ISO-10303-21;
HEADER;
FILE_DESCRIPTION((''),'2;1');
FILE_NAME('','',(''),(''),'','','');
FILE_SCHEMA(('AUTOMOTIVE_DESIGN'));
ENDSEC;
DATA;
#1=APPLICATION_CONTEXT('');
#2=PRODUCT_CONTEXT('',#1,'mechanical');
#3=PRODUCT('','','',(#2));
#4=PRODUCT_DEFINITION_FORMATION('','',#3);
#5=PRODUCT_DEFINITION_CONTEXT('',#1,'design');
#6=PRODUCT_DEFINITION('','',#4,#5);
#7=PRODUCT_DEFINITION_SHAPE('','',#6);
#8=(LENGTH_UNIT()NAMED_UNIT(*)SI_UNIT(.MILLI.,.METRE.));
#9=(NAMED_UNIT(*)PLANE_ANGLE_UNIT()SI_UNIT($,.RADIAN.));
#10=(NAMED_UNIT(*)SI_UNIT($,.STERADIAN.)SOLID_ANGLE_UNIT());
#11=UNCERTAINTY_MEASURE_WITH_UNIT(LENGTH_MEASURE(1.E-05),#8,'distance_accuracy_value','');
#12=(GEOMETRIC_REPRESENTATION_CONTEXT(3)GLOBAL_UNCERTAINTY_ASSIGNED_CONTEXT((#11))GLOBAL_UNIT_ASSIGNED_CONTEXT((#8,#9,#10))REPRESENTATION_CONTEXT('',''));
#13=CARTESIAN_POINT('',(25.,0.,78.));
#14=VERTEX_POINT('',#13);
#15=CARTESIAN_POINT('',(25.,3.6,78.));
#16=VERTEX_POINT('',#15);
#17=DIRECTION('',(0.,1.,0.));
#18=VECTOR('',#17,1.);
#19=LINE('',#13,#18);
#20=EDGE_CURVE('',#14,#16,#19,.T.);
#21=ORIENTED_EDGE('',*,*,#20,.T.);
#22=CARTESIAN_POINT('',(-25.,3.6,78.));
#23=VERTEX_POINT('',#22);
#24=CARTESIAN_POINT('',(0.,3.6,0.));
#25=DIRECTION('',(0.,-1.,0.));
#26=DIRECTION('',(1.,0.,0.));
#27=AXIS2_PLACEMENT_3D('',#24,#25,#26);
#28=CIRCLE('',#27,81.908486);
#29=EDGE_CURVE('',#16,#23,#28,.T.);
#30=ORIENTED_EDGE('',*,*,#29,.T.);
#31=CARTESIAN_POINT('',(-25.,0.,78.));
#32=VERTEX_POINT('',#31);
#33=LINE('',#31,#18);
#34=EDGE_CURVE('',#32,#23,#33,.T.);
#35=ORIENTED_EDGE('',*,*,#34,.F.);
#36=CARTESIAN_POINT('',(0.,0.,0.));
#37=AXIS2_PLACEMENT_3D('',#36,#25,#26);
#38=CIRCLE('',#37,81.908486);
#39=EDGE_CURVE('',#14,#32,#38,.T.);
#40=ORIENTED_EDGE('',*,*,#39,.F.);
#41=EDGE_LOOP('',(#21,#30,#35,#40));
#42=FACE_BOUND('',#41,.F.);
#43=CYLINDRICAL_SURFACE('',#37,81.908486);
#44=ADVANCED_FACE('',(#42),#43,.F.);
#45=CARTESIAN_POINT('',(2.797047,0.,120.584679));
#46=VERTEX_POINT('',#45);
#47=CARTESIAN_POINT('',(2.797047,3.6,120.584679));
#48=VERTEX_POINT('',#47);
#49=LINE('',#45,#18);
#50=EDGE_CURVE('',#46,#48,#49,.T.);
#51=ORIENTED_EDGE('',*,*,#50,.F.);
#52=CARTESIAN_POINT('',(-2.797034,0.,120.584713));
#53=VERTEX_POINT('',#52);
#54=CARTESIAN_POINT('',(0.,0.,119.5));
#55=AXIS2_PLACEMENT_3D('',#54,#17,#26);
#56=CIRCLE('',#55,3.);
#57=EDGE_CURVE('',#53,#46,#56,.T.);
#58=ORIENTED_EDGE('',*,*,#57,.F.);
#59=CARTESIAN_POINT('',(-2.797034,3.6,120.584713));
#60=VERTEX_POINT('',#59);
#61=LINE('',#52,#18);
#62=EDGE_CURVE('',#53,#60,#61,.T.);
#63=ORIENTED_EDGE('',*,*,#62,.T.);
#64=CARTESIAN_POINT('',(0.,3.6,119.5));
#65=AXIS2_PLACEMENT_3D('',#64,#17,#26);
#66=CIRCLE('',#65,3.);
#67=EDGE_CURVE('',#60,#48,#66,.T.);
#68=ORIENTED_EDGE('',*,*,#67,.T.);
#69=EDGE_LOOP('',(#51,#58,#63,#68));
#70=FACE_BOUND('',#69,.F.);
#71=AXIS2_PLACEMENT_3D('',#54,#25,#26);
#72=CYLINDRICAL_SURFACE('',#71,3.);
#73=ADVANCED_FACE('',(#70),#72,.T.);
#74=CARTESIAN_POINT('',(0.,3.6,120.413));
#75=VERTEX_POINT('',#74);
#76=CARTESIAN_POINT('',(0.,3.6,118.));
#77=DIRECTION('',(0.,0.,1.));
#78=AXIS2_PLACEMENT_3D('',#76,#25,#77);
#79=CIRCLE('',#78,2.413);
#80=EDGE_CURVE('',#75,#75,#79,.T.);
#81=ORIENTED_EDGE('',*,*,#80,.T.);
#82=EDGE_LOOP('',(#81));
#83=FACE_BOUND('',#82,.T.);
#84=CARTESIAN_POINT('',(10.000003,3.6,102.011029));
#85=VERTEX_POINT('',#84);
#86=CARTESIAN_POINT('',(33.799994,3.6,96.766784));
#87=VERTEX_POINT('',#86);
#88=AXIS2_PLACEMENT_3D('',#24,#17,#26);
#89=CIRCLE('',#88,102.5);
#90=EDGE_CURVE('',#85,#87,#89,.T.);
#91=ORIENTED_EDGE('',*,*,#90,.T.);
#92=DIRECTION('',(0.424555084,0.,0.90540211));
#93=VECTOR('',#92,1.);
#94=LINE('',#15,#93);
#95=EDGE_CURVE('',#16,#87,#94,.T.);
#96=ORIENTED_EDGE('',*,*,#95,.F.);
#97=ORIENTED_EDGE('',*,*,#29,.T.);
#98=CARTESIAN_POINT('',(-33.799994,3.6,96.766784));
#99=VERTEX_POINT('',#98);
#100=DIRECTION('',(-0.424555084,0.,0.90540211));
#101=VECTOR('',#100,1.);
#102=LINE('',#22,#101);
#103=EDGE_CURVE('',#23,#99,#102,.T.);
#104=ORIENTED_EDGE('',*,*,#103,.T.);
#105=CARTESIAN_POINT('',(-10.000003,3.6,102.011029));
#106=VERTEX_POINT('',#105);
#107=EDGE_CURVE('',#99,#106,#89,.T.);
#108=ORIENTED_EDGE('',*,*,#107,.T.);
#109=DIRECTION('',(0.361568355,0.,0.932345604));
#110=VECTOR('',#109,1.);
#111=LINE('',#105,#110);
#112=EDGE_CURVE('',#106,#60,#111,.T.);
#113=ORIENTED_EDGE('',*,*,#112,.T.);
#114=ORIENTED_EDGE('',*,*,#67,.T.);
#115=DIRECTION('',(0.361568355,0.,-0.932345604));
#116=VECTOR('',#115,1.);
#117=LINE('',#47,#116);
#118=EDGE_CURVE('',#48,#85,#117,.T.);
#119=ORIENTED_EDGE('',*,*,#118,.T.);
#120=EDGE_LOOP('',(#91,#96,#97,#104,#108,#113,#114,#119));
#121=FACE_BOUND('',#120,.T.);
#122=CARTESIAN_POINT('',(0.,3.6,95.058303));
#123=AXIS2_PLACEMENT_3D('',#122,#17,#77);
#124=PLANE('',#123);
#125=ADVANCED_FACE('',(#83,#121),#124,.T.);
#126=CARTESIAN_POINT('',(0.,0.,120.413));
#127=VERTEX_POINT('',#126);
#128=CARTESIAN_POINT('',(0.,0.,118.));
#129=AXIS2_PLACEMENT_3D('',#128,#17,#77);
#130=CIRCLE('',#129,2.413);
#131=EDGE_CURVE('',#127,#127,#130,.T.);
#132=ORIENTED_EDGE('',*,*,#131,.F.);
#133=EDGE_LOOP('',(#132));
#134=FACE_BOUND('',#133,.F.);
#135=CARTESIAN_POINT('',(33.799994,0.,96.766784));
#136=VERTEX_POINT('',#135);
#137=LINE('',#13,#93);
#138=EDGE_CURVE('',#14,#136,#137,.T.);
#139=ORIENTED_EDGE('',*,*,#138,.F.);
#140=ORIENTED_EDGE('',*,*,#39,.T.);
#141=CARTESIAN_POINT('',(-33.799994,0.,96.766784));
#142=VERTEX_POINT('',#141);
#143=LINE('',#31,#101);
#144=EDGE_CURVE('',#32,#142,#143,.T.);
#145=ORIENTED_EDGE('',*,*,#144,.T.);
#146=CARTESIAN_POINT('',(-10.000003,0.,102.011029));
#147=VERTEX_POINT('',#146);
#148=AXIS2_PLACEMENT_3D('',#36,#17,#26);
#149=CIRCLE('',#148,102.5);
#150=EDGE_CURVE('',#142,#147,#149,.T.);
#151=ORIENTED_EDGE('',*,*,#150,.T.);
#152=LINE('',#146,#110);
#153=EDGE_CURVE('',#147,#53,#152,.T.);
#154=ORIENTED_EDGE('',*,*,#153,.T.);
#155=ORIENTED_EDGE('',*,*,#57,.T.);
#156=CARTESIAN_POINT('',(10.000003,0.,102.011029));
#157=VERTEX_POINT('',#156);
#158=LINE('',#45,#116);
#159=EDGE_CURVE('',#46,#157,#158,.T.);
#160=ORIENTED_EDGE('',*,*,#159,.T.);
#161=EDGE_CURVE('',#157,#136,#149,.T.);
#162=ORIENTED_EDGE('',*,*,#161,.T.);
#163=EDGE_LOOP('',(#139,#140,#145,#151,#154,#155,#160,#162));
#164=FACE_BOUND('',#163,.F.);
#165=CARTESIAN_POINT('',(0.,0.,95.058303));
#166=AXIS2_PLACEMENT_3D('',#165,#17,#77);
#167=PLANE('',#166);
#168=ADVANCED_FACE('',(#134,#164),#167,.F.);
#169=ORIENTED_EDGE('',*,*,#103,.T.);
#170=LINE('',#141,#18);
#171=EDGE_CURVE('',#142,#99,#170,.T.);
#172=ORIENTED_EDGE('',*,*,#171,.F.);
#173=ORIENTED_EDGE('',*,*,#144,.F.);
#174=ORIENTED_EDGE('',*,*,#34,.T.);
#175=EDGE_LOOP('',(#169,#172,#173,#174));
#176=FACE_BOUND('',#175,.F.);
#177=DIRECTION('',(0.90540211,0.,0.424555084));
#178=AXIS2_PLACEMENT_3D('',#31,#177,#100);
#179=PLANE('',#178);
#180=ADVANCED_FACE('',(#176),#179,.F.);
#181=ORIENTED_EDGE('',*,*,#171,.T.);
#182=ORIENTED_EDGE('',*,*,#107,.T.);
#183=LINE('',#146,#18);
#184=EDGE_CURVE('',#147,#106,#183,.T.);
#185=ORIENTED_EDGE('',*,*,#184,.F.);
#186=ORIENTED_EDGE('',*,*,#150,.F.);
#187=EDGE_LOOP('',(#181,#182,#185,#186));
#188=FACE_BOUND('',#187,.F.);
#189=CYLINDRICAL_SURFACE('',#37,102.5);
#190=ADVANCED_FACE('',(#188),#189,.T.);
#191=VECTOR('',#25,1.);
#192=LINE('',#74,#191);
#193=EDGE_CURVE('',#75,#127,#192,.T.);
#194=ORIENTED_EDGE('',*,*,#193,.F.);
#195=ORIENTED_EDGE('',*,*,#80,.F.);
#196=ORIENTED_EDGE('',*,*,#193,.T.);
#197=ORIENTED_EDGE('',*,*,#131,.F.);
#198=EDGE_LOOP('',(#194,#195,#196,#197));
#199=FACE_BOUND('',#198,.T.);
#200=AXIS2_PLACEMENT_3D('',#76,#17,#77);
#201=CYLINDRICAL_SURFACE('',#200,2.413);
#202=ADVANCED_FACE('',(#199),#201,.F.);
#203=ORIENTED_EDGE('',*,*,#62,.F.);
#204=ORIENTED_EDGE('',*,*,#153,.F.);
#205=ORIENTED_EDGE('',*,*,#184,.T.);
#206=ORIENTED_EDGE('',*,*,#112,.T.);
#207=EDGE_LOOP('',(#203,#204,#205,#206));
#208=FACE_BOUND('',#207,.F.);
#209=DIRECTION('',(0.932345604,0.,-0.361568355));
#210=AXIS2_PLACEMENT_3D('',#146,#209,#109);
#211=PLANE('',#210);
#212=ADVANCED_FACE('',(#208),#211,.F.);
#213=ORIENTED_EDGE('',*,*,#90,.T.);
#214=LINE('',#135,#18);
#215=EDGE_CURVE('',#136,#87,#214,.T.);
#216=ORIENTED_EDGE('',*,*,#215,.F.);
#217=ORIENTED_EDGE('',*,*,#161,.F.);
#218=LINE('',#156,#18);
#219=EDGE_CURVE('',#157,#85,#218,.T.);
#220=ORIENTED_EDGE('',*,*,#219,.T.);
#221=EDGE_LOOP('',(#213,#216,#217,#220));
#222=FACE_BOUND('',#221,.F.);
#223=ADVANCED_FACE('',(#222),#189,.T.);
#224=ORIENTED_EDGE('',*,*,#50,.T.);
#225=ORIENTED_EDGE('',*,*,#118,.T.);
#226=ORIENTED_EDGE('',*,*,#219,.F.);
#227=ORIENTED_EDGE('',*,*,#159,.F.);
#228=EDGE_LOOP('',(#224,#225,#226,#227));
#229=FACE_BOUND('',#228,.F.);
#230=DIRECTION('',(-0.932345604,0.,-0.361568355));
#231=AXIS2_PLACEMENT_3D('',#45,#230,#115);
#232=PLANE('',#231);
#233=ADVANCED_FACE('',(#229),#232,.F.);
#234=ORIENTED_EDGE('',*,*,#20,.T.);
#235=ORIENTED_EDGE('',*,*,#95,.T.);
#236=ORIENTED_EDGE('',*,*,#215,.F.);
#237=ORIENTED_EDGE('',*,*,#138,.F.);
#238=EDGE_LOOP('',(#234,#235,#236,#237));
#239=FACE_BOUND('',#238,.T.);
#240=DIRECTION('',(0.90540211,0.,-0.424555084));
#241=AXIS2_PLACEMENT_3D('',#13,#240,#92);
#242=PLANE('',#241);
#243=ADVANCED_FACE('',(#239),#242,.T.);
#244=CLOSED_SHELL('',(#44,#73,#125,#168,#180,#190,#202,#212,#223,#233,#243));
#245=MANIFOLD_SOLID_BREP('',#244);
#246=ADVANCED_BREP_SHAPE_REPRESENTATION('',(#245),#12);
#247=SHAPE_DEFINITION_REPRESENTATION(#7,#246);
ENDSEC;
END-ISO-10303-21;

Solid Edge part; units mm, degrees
sketch "Sketch1" plane through (10.8674, 0, 10.8674) normal (0, -1, 0) x (1, 0, 0)
  line L0 (-35.8674, 67.1326) -> (-44.6674, 85.8994)
  arc A0 (-44.6674, 85.8994) -> (-20.8674, 91.1436) centre (-10.8674, -10.8674) cw
  line L1 (-20.8674, 91.1436) -> (-13.6644, 109.7173)
  arc A1 (-13.6644, 109.7173) -> (-8.0703, 109.7173) centre (-10.8674, 108.6326) cw
  line L2 (-8.0703, 109.7173) -> (-0.8674, 91.1436)
  line L3 (14.1326, 67.1326) -> (22.9326, 85.8994)
  arc A2 (14.1326, 67.1326) -> (-35.8674, 67.1326) centre (-10.8674, -10.8674) ccw
  arc A3 (-0.8674, 91.1436) -> (22.9326, 85.8994) centre (-10.8674, -10.8674) cw
  dimension "D1" = 67.6
  dimension "D2" = 50
  dimension "D3" = 102.5
  dimension "D4" = 20
  dimension "D5" = 44.5
  dimension "D6" = 24.5
  dimension "D7" = 3
extrude "Protrusion1" add sketch "Sketch1" against normal blind 3.6
hole "Hole_1" at (0, 3.6, 118) direction (0, -1, 0) diameter 4.826 end up to next
properties material "Steel"
